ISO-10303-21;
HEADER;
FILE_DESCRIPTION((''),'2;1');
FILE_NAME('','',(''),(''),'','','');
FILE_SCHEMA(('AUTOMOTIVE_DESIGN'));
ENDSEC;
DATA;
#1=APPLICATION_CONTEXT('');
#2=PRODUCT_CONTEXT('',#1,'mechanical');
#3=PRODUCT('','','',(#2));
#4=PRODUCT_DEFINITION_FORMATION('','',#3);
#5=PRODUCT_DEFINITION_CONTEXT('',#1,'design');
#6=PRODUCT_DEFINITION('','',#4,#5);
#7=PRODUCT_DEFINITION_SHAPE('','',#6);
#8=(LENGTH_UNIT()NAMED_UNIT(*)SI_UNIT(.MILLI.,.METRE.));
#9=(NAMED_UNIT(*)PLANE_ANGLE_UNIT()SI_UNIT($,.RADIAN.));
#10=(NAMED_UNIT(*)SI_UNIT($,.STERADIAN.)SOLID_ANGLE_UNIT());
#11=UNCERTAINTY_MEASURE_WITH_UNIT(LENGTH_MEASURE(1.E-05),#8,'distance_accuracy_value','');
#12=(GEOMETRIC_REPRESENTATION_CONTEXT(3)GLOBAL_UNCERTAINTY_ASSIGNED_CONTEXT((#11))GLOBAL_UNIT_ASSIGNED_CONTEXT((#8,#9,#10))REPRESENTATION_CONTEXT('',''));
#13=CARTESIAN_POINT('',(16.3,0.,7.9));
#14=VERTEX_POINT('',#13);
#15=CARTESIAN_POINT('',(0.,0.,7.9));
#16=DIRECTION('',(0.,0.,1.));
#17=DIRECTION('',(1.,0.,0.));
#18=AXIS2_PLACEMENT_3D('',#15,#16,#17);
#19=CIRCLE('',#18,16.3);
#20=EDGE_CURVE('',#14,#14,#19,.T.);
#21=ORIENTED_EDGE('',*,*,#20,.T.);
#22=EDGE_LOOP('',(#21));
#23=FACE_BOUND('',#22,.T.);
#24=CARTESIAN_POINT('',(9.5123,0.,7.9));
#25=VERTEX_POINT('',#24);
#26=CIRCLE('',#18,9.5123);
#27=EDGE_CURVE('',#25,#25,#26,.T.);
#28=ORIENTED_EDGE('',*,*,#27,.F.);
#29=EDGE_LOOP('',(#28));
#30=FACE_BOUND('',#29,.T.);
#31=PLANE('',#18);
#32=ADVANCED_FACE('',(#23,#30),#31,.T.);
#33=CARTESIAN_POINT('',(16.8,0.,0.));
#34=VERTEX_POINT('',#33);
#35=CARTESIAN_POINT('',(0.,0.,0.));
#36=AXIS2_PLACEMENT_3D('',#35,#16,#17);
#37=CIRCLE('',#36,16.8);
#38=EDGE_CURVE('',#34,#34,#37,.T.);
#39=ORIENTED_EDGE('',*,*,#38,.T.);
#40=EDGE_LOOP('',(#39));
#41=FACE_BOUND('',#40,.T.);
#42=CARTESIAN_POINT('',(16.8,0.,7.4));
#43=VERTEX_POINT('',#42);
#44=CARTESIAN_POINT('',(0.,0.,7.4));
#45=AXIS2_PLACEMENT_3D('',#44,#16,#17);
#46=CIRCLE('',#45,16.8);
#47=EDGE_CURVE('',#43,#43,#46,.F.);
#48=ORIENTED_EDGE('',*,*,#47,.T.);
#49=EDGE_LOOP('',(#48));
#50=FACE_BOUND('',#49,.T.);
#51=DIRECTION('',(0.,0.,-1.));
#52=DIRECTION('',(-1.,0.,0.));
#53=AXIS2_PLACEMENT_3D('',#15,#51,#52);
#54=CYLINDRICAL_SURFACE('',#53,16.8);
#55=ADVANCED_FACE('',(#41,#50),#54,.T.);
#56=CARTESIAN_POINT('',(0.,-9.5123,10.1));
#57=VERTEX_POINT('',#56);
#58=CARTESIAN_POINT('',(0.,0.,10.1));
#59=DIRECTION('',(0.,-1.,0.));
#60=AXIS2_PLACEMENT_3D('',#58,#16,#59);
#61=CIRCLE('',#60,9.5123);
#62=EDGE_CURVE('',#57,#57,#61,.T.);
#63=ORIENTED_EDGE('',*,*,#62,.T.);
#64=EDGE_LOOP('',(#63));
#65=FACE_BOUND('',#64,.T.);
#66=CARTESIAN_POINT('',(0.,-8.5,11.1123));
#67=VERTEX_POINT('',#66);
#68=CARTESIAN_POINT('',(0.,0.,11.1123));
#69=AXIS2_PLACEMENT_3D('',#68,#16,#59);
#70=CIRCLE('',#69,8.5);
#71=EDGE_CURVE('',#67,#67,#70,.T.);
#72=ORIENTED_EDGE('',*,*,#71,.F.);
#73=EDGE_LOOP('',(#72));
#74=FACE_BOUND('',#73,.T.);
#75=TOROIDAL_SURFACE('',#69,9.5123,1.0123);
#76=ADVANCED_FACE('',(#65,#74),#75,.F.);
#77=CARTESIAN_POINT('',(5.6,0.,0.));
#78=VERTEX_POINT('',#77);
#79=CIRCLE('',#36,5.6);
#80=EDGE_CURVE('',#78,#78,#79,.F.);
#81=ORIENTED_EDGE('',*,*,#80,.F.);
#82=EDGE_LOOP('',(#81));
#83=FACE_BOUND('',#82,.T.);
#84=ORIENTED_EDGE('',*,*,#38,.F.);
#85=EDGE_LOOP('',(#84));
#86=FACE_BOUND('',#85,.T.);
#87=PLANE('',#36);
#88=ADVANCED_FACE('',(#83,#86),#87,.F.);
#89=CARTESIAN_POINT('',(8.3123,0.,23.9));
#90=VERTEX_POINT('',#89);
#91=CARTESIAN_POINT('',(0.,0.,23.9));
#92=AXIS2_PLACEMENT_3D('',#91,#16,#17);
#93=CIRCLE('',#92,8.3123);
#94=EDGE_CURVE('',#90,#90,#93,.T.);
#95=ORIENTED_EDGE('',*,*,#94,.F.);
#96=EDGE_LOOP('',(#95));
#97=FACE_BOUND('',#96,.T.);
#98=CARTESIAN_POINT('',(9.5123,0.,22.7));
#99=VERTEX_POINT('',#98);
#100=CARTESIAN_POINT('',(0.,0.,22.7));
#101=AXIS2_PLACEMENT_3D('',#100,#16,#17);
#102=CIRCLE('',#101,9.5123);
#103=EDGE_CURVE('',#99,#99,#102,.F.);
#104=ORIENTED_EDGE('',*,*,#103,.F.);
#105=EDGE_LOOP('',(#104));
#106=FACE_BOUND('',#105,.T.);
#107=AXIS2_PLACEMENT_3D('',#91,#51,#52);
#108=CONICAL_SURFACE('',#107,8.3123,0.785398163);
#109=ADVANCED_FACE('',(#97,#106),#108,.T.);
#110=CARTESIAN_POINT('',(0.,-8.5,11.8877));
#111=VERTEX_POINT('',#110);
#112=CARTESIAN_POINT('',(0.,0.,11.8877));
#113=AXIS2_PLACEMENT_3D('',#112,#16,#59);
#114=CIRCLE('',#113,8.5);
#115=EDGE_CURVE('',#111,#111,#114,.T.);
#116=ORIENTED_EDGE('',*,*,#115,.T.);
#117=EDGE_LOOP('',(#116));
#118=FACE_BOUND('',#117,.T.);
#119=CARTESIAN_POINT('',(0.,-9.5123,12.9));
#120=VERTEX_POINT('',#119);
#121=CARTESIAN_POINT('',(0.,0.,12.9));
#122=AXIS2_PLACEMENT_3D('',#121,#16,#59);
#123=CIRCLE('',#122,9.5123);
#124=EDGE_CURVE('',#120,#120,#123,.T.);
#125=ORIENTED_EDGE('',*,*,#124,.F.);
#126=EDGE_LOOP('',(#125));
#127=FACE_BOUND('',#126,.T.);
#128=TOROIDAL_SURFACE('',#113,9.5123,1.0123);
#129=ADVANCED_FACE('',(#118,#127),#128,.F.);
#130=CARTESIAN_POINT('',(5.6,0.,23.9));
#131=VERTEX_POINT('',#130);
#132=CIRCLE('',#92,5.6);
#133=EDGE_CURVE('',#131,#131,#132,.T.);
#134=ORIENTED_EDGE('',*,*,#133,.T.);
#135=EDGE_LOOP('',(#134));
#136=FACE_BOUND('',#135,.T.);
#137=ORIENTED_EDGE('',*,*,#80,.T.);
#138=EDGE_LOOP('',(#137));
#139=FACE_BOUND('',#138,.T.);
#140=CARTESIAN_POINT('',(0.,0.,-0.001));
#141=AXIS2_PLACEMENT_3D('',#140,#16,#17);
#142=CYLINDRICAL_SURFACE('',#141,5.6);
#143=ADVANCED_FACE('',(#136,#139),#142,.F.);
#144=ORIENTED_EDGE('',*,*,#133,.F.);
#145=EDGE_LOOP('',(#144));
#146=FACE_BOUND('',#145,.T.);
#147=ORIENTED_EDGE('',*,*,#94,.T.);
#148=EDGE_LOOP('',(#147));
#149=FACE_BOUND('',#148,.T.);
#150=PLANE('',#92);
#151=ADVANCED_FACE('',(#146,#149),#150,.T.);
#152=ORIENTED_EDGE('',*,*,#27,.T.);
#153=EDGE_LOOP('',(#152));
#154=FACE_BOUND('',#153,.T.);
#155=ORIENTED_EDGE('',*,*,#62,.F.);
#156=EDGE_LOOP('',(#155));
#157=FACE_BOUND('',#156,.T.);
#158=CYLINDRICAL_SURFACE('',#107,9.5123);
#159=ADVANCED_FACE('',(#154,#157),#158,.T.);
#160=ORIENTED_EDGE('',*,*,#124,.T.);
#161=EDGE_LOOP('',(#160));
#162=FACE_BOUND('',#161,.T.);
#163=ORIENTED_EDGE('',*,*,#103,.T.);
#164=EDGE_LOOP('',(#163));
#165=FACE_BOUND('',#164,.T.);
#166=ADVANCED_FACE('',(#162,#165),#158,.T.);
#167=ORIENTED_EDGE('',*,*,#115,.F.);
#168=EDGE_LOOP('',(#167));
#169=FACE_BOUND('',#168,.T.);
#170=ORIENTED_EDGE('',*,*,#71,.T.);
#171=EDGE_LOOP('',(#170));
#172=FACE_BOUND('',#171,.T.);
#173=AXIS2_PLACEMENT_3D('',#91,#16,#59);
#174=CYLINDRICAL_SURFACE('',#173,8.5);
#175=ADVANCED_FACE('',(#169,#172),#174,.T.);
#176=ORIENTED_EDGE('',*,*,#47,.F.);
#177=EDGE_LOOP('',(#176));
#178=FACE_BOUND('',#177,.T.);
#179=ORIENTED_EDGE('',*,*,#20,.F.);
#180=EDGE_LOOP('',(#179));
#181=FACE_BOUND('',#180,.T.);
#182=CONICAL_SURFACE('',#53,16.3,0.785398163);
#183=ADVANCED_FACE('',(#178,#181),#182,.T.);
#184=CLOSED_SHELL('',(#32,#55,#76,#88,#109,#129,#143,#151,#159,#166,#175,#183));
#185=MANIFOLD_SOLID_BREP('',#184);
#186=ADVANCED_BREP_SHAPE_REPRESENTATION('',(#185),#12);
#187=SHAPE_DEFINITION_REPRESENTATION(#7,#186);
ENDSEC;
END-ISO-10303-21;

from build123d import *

# Parameters (mm, degrees)
SKETCH1_R      = 16.8
EXTRUDE1_DEPTH = 7.9
SKETCH2_R      = 9.5123
THREAD_DEPTH   = 16
CHAMFER1_SIZE  = 1.2
CHAMFER2_SIZE  = 0.5
RODHOLE_REACH  = 35.7
SKETCH9_R      = 5.6


with BuildPart() as part:
    # Sketch1 → Extrude1 (new body)
    with BuildSketch(Plane.XY):
        Circle(SKETCH1_R)
    extrude(amount=EXTRUDE1_DEPTH)

    # Sketch2 → THREAD (add)
    with BuildSketch(Plane.XY.offset(7.9)):
        Circle(SKETCH2_R)
    extrude(amount=THREAD_DEPTH)

    # Sketch3 → THREAD END (revolve, cut)
    with BuildSketch(Plane(origin=(0, 0, 0), x_dir=(0, 0, -1), z_dir=(1, 0, 0))):
        with BuildLine():
            Line((-11.8877, 8.5), (-11.1123, 8.5))
            ThreePointArc((-11.1123, 8.5), (-10.396495805, 8.796495805), (-10.1, 9.5123))
            Line((-10.1, 9.5123), (-12.9, 9.5123))
            ThreePointArc((-12.9, 9.5123), (-12.603504195, 8.796495805), (-11.8877, 8.5))
        make_face()
    revolve(axis=Axis((0, 0, 23.9), (0, 0, -1)), mode=Mode.SUBTRACT)

    # Chamfer1
    chamfer1_edges = [part.edges().sort_by_distance(p)[0] for p in [
        (-9.5123, 0, 23.9),
    ]]
    chamfer(chamfer1_edges, length=CHAMFER1_SIZE)

    # Chamfer2
    chamfer2_edges = [part.edges().sort_by_distance(p)[0] for p in [
        (-16.8, 0, 7.9),
    ]]
    chamfer(chamfer2_edges, length=CHAMFER2_SIZE)

    # Sketch9 → RodHole (cut, up to next)
    with BuildSketch(Plane.XY.offset(23.9), mode=Mode.PRIVATE) as rodhole_sk1:
        Circle(SKETCH9_R)
    rodhole_tool1 = extrude(rodhole_sk1.sketch, amount=-RODHOLE_REACH, mode=Mode.PRIVATE) & part.part
    add(rodhole_tool1.solids().sort_by_distance((0, 0, 23.9))[0], mode=Mode.SUBTRACT)


solid = part.part
